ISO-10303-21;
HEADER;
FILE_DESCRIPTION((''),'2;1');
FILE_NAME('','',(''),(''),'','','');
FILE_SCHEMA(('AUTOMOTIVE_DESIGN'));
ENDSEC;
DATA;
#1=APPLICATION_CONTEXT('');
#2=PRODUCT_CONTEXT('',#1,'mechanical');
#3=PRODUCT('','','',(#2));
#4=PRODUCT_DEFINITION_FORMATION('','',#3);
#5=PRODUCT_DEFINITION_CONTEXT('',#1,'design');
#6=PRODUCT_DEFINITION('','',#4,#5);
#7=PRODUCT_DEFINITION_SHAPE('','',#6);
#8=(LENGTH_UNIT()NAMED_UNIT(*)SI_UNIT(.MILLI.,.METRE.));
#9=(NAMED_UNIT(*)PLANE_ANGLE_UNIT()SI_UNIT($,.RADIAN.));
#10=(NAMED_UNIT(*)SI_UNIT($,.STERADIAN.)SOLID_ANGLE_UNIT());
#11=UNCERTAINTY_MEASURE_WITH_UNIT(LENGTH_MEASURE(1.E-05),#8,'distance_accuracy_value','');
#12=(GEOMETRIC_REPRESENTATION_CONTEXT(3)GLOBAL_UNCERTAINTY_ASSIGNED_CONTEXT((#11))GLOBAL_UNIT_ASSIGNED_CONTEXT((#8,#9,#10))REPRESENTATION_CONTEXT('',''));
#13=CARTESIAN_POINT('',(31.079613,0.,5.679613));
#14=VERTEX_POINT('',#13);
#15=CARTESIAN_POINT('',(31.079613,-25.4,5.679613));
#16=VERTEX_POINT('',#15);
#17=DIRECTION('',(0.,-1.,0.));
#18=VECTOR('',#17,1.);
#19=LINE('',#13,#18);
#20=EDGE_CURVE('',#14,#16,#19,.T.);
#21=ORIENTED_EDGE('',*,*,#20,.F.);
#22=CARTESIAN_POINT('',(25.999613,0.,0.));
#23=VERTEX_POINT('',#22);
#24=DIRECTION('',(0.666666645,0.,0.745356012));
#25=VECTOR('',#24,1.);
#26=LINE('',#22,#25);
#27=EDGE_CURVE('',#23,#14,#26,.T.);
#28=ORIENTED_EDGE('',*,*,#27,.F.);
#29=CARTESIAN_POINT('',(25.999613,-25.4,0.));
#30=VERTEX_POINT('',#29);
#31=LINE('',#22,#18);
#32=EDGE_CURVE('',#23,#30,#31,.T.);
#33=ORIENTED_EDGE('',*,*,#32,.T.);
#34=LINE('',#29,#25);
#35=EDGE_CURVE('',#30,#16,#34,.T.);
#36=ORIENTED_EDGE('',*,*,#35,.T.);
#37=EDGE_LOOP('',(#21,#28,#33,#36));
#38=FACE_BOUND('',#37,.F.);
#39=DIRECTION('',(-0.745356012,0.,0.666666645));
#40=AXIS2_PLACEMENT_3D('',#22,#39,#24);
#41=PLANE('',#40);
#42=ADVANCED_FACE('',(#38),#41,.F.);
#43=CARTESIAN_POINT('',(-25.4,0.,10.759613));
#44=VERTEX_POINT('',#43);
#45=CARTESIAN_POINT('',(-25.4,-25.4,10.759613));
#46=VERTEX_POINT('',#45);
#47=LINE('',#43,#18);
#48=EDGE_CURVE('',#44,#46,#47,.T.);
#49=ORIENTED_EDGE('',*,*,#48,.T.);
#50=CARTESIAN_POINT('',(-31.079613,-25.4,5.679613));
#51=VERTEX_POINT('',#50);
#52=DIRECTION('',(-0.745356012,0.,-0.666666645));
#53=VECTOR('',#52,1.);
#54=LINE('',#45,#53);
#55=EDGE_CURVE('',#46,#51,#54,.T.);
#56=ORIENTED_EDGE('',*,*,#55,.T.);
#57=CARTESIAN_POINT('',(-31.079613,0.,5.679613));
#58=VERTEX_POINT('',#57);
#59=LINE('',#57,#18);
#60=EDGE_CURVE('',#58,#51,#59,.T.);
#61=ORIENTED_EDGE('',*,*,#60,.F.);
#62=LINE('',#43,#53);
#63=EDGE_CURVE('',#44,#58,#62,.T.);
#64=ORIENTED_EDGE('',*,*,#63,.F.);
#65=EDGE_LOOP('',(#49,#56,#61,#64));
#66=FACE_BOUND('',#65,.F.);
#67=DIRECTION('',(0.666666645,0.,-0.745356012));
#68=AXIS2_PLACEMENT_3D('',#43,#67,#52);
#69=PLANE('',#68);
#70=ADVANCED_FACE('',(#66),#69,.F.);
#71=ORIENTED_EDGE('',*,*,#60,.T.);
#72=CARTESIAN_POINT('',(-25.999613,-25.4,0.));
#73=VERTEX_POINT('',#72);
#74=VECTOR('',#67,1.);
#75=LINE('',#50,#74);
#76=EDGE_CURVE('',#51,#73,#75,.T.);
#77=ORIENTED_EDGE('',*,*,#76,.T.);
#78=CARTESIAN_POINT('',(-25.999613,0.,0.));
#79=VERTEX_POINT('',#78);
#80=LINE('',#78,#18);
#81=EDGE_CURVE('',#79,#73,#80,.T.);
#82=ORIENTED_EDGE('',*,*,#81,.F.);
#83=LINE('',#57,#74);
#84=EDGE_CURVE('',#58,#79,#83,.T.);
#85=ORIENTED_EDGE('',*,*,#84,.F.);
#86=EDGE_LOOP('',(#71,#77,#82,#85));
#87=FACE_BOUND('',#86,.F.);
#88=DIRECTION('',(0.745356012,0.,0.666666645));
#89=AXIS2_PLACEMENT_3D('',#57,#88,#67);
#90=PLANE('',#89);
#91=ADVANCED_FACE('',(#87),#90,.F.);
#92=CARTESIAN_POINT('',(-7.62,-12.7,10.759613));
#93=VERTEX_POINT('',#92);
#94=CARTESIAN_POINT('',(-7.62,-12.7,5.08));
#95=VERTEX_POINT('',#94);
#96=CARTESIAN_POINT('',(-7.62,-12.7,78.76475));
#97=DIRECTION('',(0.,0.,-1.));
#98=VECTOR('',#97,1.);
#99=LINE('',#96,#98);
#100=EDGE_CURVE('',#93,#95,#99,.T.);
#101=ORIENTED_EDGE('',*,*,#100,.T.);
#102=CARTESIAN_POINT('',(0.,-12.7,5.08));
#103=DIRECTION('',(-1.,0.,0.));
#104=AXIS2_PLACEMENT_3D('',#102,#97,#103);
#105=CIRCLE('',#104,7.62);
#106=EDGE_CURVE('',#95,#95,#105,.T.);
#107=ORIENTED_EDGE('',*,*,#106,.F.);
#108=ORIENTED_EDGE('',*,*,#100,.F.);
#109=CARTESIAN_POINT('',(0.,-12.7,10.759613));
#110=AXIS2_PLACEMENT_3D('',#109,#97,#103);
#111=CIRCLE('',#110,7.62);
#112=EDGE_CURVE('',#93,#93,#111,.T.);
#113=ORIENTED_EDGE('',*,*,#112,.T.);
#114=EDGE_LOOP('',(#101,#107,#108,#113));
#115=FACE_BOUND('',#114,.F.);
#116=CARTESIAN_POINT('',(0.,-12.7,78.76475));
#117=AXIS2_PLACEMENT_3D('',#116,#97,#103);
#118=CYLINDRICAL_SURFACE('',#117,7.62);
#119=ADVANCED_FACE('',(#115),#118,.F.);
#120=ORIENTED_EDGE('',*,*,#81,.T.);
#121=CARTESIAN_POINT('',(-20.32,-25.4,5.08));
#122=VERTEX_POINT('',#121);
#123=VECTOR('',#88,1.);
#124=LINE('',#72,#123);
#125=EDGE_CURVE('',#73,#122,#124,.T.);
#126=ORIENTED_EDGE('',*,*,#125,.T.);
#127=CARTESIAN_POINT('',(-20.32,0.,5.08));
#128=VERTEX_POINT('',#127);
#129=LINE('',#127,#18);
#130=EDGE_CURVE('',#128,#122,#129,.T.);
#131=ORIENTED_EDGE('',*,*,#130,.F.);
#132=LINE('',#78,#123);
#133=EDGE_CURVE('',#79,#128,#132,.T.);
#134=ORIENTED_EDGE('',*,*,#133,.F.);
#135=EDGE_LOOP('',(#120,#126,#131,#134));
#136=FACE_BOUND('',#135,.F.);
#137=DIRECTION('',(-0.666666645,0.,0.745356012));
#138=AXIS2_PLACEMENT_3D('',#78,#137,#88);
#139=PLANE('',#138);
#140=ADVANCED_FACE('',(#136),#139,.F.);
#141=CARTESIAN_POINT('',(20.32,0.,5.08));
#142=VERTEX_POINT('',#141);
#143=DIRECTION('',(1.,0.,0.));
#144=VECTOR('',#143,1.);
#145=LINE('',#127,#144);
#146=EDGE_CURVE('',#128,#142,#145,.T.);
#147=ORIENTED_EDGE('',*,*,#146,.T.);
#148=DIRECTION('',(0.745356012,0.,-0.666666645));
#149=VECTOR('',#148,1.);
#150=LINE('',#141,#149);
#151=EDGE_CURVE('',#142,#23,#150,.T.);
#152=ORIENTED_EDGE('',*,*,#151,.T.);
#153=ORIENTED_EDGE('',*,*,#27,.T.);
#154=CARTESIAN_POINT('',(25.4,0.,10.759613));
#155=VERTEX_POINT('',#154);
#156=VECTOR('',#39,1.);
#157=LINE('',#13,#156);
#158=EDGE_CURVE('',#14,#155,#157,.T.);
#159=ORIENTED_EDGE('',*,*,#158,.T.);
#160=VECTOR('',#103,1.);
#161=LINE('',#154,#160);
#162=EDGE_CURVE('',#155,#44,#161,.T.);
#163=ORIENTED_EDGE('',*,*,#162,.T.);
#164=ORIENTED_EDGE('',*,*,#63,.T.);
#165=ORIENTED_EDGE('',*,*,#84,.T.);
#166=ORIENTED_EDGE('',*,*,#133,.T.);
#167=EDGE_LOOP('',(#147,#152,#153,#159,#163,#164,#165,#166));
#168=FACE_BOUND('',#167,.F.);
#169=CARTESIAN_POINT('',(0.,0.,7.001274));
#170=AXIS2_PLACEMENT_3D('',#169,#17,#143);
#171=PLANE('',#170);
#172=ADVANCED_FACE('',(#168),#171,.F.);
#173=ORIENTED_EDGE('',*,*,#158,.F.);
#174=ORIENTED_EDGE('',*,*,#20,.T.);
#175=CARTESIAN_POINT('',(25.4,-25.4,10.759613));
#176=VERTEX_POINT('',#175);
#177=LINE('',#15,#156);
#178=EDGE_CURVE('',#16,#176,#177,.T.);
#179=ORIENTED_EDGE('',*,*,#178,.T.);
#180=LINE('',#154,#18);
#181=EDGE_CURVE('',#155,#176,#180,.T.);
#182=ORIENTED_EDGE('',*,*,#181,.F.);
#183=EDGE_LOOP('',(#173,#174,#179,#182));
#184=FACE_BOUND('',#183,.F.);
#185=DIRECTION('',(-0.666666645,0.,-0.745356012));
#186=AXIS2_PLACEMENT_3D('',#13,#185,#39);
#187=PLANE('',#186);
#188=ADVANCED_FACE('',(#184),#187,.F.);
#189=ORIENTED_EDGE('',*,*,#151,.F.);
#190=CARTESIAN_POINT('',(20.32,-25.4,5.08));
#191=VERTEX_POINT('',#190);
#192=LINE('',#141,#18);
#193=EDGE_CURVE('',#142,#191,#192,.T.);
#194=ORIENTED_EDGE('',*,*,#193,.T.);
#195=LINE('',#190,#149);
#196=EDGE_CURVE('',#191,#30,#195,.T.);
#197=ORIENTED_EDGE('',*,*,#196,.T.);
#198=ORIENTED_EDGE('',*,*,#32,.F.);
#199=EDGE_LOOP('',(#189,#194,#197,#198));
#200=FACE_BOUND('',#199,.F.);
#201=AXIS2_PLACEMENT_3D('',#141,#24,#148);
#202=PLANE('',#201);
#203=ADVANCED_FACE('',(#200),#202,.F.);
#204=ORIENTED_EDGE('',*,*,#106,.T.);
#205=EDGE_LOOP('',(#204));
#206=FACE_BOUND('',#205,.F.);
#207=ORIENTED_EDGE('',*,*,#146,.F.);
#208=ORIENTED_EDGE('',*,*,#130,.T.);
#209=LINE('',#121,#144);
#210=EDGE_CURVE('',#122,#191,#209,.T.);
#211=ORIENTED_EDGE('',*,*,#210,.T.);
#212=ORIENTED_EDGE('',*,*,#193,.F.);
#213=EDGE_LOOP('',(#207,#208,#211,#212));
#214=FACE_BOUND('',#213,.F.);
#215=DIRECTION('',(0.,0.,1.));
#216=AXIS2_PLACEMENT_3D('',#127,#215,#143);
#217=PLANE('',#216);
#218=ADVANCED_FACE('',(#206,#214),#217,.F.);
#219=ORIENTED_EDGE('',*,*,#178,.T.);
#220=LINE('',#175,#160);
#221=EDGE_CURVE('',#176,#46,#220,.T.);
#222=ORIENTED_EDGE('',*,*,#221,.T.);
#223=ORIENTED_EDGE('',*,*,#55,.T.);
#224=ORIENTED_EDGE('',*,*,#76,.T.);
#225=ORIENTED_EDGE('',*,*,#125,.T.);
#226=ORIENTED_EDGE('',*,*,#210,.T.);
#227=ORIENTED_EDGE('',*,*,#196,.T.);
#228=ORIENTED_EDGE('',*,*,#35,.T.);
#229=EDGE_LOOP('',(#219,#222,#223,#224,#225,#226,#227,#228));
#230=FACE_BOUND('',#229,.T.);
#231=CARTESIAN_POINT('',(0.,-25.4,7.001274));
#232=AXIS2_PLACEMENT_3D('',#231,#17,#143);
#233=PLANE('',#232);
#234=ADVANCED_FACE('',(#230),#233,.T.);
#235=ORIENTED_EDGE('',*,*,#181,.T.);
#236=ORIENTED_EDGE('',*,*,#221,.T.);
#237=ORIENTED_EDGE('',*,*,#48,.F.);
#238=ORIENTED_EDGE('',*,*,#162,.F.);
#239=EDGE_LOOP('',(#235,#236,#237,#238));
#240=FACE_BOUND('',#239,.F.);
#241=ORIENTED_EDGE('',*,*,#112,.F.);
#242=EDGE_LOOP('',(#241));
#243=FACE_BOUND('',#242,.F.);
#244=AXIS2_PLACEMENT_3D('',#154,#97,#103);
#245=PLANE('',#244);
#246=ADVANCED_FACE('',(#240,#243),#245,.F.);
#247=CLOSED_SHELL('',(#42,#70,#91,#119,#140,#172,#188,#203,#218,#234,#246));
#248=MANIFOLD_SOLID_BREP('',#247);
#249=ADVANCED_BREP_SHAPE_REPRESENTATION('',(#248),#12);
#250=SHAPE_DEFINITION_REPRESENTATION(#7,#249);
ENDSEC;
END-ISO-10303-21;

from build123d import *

# Parameters (mm, degrees)
F1_DEPTH = 25.4
F3_D     = 15.24


with BuildPart() as f1:
    # F0 (on Front) → F1 (new body)
    with BuildSketch(Plane.XZ):
        Polygon((-31.079613, 5.679613), (-25.999613, 0), (-20.32, 5.08), (0, 5.08), (20.32, 5.08), (25.999613, 0), (31.079613, 5.679613), (25.4, 10.759613), (0, 10.759613), (-25.4, 10.759613), align=None)
    extrude(amount=F1_DEPTH)

    # F3 (through all)
    with Locations(Plane.XY.offset(10.759613)):
        with Locations((0, -12.7)):
            Hole(F3_D / 2)


solid = f1.part
